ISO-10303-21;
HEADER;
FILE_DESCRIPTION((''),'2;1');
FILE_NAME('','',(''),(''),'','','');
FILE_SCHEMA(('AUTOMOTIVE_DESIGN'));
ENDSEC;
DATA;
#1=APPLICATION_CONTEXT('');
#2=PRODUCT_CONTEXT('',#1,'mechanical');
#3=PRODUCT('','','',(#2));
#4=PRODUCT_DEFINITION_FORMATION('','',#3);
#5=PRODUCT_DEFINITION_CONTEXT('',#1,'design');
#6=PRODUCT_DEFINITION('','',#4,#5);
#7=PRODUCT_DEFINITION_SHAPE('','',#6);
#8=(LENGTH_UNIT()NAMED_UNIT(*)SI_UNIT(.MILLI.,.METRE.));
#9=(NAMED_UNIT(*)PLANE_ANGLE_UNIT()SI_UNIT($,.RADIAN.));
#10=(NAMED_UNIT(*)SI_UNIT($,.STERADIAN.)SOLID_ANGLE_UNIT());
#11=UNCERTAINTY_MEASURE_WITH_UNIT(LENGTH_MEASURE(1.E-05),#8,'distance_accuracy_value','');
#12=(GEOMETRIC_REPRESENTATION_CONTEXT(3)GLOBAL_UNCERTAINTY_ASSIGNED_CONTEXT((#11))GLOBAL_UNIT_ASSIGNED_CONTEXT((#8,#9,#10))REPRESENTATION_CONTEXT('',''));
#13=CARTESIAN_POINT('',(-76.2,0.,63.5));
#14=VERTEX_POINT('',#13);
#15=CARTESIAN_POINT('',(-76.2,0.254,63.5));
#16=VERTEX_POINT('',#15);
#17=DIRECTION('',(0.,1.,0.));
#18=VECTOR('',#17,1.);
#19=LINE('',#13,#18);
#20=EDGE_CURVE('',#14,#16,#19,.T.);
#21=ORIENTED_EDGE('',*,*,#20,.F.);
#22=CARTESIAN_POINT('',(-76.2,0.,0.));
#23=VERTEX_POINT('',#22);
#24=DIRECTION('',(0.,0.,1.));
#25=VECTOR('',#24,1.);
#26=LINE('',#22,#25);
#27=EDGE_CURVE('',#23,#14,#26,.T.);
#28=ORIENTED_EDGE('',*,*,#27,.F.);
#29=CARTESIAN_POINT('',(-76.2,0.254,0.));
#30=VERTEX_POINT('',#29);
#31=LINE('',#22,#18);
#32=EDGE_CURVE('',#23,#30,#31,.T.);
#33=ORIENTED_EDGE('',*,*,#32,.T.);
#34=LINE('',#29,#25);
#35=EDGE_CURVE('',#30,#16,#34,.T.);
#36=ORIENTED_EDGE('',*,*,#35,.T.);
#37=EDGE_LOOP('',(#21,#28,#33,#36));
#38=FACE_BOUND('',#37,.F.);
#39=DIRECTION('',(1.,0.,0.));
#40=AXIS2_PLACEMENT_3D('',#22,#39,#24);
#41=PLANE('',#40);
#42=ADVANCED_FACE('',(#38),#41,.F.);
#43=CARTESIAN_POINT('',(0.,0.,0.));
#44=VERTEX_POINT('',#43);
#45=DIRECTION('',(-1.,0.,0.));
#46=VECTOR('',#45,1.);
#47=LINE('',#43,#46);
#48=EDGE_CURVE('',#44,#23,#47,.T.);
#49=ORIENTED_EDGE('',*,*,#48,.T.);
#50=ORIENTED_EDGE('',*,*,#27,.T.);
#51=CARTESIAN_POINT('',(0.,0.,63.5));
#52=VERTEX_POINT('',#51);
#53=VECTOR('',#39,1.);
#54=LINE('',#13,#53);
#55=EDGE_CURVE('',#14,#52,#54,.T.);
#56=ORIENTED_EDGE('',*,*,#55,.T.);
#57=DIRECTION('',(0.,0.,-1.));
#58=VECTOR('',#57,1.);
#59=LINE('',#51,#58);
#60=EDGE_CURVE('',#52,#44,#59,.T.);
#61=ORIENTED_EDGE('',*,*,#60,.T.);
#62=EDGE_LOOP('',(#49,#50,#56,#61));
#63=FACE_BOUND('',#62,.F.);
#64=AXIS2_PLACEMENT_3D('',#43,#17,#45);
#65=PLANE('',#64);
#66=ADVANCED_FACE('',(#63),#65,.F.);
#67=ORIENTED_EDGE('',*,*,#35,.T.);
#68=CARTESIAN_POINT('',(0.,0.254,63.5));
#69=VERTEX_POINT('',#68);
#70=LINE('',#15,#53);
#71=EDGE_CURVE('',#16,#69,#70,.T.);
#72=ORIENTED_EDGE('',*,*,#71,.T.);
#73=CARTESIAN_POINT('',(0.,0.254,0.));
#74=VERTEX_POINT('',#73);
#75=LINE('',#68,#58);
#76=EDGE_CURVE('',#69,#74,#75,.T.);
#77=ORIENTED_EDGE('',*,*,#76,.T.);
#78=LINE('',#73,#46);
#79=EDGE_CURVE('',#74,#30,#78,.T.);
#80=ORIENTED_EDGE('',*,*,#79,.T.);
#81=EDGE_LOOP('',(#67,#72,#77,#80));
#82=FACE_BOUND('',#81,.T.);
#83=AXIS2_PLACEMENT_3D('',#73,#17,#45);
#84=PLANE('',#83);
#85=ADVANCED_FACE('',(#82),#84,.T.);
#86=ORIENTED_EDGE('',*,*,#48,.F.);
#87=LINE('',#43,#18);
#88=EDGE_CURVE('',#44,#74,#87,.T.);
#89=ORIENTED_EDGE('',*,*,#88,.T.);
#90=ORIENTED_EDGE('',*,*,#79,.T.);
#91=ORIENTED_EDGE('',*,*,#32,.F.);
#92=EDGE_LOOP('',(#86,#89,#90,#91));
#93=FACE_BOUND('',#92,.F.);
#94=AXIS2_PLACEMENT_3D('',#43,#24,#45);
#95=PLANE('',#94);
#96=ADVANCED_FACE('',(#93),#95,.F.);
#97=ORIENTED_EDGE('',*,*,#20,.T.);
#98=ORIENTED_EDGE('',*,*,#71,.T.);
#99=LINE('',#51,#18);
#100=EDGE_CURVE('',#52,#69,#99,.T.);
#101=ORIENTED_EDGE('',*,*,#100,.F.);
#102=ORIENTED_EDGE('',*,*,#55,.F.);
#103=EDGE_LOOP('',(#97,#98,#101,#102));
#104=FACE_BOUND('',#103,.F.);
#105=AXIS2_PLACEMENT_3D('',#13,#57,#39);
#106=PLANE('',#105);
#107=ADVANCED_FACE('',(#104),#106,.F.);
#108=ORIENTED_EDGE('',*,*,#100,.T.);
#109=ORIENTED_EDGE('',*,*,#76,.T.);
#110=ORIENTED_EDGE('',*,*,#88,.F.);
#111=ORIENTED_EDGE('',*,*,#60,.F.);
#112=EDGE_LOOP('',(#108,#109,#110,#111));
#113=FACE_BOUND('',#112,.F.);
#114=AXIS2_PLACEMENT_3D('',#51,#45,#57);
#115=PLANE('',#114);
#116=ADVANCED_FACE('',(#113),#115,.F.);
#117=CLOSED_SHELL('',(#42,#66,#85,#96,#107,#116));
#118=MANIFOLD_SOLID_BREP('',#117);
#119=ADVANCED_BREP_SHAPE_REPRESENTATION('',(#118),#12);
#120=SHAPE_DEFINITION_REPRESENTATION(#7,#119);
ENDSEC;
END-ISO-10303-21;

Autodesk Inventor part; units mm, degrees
ref_plane "YZ Plane" through (0, 0, 0) normal (1, 0, 0) x (0, 1, 0)
ref_plane "XZ Plane" through (0, 0, 0) normal (0, 1, 0) x (-1, 0, 0)
ref_plane "XY Plane" through (0, 0, 0) normal (0, 0, 1) x (1, 0, 0)
sketch "Sketch1" plane through (0, 0, 0) normal (0, 1, 0) x (-1, 0, 0)
  line L0 (0, 0) -> (76.2, 0)
  line L1 (76.2, 0) -> (76.2, 63.5)
  line L2 (76.2, 63.5) -> (0, 63.5)
  line L3 (0, 63.5) -> (0, 0)
  dimension "d0" = 76.2
  dimension "d1" = 63.5
extrude "Extrusion1" add sketch "Sketch1" along normal blind 0.254
properties part number "Sweep" material "Rubber"
